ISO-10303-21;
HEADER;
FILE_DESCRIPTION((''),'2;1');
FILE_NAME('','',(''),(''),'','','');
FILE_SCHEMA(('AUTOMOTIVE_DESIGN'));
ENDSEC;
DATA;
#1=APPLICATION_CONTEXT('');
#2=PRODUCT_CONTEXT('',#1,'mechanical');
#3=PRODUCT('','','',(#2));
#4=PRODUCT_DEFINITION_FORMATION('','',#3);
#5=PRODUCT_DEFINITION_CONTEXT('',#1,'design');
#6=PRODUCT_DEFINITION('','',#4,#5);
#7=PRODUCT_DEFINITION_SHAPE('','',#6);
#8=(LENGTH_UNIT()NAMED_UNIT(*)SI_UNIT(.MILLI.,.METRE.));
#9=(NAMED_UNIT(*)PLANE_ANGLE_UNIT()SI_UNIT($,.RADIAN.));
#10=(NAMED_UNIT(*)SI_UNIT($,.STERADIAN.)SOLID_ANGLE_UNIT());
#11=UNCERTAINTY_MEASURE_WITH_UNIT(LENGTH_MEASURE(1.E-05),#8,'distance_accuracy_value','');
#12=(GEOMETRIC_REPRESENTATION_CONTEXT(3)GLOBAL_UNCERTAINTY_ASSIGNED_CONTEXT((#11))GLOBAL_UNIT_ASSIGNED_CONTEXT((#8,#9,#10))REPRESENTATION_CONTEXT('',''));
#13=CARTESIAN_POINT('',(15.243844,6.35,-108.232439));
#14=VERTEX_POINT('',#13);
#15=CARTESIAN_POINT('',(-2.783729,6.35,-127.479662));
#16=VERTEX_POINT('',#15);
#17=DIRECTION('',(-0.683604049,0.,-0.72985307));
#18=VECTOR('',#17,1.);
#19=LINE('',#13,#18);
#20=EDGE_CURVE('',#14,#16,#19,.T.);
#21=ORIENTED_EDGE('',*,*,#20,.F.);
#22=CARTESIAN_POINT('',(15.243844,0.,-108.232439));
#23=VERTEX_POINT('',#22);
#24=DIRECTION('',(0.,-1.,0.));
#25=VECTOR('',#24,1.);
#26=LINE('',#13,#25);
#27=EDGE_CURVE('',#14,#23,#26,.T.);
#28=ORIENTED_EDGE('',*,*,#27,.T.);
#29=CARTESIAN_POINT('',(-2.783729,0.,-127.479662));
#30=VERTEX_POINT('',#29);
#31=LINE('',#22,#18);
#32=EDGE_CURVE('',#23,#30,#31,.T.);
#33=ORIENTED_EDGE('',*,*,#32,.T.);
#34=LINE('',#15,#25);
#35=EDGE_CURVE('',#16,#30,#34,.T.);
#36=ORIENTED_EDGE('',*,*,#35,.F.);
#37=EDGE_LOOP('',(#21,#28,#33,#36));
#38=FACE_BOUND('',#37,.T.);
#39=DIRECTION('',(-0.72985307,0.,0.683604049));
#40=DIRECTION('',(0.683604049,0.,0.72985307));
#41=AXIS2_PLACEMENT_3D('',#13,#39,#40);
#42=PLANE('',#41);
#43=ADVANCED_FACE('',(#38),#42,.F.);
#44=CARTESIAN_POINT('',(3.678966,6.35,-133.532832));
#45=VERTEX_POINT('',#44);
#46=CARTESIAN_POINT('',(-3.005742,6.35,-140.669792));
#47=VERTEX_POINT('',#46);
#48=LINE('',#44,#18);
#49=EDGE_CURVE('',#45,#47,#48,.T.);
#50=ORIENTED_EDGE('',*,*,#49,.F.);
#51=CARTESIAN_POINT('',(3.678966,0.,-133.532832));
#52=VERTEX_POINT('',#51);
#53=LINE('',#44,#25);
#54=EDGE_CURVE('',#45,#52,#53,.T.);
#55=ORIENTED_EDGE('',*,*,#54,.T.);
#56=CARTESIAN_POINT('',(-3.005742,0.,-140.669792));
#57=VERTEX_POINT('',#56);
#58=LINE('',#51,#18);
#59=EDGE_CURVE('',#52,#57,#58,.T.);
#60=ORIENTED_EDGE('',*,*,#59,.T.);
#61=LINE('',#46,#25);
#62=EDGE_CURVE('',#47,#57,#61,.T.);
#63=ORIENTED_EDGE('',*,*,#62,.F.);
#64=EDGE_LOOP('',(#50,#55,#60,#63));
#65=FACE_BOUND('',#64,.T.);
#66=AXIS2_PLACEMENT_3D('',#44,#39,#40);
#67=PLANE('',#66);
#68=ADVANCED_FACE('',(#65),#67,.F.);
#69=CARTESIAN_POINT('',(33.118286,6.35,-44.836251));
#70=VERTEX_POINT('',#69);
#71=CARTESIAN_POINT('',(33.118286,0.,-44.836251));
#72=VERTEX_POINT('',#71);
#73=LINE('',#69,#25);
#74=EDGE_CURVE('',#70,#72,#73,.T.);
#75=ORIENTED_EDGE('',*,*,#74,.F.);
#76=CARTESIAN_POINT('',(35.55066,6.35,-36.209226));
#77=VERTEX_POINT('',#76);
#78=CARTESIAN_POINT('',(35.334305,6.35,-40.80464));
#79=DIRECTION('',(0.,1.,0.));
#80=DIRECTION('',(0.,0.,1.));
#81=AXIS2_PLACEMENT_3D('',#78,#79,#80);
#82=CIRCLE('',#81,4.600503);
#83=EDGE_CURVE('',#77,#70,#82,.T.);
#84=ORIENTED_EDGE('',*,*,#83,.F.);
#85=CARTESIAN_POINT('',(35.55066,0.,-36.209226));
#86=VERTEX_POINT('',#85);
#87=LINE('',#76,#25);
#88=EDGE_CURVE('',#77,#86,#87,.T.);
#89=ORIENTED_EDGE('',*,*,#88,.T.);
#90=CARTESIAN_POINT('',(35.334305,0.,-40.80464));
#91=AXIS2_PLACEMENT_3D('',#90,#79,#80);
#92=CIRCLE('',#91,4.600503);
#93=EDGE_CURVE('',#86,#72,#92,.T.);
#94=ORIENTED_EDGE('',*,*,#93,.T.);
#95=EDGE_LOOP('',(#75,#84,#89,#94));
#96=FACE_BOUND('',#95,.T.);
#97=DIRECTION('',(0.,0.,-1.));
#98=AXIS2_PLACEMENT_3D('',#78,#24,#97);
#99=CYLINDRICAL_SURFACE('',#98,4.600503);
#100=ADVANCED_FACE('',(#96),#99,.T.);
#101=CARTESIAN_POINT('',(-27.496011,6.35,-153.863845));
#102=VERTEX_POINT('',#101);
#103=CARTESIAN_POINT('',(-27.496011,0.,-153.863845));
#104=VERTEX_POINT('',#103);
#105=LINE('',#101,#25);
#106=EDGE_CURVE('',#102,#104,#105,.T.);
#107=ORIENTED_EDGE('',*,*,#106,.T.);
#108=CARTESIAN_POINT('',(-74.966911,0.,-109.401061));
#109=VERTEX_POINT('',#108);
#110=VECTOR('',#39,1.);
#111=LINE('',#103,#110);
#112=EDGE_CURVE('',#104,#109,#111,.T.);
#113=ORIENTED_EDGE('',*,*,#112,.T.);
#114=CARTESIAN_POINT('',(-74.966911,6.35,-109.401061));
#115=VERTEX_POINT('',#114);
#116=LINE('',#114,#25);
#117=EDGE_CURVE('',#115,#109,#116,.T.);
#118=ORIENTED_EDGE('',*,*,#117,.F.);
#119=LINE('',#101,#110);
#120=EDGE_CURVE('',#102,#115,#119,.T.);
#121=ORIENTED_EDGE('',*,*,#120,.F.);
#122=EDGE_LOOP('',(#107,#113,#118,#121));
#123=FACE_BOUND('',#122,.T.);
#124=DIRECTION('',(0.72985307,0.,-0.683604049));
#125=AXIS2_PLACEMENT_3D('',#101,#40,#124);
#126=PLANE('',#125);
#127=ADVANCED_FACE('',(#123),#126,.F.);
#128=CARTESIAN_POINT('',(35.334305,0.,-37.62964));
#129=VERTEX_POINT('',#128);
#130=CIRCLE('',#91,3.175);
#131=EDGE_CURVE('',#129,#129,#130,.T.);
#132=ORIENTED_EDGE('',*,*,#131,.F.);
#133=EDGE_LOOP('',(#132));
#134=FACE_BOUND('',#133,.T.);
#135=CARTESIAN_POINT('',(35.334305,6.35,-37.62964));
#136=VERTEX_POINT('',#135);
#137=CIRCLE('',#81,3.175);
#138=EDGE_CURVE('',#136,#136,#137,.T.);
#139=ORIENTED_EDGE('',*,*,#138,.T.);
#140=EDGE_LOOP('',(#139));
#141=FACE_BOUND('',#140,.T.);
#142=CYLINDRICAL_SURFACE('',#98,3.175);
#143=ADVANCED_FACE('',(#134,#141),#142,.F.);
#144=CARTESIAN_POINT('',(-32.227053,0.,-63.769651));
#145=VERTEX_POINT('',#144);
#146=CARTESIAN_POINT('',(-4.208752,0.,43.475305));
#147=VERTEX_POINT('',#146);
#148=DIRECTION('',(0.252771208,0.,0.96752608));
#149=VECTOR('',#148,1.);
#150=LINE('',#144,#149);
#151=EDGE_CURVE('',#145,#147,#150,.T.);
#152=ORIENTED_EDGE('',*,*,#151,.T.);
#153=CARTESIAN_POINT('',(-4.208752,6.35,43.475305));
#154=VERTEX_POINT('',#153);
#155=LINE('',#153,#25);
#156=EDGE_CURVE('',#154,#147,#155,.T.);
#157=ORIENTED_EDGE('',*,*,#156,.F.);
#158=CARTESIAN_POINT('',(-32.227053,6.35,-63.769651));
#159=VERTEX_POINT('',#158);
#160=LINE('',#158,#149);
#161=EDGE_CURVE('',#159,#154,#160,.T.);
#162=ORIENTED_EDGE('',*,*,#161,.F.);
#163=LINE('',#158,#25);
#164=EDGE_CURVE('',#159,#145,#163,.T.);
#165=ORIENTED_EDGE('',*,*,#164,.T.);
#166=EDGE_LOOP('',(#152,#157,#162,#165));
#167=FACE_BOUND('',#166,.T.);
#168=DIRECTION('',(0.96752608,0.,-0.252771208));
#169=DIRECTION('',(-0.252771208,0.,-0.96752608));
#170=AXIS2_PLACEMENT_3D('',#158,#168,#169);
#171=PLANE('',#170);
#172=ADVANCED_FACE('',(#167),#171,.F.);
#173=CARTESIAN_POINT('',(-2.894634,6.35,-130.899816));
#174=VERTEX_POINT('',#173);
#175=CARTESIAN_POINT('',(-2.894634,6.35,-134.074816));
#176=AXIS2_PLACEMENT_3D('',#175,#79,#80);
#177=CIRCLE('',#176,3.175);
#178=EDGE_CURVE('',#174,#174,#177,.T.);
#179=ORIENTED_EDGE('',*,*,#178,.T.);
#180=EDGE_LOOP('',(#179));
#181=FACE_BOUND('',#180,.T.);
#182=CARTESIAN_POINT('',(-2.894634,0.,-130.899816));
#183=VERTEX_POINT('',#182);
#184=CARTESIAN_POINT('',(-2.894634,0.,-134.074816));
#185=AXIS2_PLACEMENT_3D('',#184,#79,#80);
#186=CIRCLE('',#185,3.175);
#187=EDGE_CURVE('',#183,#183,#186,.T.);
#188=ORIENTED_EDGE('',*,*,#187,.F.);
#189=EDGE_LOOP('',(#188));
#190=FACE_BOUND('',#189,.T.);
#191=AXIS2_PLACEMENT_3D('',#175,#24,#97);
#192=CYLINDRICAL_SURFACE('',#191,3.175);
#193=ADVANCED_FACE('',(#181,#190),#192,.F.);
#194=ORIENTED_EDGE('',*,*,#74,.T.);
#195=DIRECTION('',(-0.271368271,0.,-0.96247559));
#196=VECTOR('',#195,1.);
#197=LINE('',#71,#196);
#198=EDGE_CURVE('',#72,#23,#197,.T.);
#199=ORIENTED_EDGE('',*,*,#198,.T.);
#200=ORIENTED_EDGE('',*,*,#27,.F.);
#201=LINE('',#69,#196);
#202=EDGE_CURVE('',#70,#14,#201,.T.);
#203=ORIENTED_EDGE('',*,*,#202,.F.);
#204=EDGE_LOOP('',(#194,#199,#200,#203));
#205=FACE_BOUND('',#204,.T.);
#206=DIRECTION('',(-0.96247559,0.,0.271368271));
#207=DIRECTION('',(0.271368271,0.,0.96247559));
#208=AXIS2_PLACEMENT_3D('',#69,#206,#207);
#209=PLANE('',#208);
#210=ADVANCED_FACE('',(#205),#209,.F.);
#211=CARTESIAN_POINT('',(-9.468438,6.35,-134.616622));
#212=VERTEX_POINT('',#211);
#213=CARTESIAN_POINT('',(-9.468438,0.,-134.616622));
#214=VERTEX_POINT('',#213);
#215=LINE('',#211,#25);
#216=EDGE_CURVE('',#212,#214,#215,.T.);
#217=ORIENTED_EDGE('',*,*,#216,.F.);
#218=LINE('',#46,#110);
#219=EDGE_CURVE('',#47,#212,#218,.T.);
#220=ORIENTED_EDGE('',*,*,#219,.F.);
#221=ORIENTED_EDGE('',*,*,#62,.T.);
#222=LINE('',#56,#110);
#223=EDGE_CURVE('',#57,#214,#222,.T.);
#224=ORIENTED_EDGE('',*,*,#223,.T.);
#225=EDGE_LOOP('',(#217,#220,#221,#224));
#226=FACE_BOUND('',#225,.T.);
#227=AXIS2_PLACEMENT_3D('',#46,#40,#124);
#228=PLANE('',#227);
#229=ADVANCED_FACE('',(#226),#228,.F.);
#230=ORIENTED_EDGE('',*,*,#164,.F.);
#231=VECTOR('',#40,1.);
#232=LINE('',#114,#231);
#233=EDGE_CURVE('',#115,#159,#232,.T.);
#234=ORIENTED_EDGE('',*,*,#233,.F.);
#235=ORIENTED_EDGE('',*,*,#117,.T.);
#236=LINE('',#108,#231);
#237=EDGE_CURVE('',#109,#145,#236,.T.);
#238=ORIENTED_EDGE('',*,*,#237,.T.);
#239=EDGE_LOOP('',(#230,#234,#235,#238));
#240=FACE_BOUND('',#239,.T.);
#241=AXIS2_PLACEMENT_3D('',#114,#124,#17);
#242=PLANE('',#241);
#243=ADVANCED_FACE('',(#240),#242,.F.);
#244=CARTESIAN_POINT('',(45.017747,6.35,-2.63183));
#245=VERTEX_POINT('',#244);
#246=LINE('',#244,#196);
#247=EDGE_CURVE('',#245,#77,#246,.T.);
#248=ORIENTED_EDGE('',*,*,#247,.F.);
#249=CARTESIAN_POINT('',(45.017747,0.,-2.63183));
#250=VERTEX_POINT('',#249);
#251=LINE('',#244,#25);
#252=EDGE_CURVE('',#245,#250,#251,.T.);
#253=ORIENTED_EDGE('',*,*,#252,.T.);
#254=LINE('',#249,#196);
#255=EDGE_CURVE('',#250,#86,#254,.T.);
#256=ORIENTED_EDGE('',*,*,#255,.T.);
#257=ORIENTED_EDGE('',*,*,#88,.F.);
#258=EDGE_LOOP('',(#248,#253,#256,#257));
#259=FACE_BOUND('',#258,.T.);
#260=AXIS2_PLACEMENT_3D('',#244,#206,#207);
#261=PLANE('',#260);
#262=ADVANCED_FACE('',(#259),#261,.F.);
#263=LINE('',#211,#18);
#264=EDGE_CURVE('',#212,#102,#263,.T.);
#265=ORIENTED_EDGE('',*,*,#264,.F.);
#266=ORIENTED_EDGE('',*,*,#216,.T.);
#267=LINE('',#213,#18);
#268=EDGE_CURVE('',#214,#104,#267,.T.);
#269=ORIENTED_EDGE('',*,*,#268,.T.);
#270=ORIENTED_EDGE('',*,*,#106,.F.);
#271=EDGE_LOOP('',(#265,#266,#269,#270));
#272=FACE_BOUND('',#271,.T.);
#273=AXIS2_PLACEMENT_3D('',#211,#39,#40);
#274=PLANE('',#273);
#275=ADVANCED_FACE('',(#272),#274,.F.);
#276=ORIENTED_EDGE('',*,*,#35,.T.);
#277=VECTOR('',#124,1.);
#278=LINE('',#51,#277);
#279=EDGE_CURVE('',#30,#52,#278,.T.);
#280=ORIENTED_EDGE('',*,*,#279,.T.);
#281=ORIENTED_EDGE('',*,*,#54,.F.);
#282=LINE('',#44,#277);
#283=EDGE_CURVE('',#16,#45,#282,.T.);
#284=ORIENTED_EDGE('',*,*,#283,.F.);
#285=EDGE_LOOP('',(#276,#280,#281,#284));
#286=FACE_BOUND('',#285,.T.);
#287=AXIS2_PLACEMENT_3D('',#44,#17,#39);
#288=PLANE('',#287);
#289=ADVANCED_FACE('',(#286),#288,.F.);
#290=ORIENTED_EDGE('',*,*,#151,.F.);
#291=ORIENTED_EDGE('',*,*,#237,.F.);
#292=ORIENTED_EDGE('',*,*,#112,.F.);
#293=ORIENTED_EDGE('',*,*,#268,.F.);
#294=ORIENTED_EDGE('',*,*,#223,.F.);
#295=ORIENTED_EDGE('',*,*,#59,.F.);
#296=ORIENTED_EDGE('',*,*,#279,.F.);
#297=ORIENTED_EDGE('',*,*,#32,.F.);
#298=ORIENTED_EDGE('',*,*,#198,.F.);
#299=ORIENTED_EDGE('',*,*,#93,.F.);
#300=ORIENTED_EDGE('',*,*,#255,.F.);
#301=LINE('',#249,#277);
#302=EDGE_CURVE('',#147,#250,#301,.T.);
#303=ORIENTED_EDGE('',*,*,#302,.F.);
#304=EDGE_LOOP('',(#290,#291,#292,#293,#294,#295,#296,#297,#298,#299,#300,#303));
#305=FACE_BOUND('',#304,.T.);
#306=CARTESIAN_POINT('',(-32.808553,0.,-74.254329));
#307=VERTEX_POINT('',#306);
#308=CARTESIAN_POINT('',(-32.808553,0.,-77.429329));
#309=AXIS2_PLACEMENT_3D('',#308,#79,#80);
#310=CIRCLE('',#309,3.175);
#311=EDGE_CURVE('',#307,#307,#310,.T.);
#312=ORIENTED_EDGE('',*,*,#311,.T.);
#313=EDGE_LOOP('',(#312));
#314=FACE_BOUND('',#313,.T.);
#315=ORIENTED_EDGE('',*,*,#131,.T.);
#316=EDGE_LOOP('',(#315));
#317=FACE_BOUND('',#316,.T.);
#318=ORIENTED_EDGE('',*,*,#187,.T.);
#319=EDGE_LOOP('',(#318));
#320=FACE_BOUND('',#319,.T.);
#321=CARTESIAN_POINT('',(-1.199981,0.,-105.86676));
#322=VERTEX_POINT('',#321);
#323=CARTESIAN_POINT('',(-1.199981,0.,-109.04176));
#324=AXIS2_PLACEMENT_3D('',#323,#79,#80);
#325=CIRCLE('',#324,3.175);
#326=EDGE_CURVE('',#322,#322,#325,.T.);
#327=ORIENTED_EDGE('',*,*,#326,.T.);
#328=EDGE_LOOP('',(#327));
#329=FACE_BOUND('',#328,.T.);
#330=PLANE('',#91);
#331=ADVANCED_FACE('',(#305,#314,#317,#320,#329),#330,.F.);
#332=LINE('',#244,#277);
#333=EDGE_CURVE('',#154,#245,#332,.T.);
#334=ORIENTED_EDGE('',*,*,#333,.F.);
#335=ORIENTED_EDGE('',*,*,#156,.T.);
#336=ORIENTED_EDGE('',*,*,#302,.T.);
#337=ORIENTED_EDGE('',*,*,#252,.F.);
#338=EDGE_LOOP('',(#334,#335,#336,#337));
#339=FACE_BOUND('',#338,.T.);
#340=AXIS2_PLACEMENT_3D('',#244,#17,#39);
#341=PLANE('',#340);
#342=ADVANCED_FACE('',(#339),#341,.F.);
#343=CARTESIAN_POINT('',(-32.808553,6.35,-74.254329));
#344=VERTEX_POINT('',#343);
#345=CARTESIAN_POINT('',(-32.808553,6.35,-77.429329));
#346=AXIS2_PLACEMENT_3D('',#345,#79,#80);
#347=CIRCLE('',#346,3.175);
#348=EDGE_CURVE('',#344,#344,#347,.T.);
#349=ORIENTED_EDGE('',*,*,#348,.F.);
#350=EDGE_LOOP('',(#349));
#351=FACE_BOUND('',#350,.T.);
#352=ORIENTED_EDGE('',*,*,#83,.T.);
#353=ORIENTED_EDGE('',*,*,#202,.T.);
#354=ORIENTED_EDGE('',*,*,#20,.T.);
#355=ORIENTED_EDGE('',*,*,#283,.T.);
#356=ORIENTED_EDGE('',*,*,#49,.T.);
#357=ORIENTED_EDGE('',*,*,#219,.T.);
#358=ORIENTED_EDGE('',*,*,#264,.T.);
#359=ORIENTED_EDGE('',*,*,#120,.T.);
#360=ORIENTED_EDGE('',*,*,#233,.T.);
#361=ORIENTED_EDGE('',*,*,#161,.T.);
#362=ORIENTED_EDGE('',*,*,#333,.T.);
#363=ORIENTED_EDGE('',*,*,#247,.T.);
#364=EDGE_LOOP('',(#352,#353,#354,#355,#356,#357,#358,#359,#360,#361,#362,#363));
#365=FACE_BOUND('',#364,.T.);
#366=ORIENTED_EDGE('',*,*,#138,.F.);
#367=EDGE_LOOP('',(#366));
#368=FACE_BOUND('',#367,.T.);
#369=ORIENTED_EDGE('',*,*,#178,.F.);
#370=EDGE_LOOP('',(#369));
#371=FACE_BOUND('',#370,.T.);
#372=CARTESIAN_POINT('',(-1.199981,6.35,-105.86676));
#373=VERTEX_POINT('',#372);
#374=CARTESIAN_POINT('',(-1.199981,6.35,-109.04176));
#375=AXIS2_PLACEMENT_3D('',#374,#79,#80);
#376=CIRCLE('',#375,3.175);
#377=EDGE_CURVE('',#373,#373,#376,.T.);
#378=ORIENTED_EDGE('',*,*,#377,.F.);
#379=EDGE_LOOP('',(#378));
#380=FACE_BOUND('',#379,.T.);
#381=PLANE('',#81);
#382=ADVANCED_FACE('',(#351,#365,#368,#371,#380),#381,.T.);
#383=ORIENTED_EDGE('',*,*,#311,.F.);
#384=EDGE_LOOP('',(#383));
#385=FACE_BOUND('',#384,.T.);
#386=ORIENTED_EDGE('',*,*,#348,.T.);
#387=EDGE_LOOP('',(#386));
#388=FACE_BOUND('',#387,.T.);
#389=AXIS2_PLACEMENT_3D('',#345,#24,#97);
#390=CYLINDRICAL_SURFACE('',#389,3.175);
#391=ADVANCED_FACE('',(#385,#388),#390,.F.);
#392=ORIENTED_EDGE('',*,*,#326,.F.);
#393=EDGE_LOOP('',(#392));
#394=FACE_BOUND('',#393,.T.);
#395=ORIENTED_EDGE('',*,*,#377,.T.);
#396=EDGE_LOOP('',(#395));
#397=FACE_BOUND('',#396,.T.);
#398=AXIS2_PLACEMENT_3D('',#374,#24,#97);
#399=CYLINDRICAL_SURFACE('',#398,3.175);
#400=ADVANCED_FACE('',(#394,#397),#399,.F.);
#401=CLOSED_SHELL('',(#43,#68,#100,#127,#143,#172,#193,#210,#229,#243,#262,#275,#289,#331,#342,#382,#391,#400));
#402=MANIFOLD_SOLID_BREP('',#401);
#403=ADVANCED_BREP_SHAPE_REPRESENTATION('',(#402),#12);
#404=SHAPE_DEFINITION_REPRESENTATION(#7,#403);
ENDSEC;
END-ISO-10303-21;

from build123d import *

# Parameters (mm, degrees)
SKETCH1_R           = 3.175
BOSS_EXTRUDE1_DEPTH = 6.35


with BuildPart() as part:
    # Sketch1 → Boss-Extrude1 (new body)
    with BuildSketch(Plane(origin=(0, 0, 0), x_dir=(1, 0, 0), z_dir=(0, 1, 0))):
        with BuildLine():
            Line((45.017746951, 2.631829887), (35.550660053, 36.209226482))
            ThreePointArc((35.550660053, 36.209226482), (39.762177432, 42.05307025), (33.11828595, 44.83625091))
            Line((33.11828595, 44.83625091), (15.243844224, 108.232438689))
            Line((15.243844224, 108.232438689), (-2.783728935, 127.479661752))
            Line((-2.783728935, 127.479661752), (3.678966496, 133.532831827))
            Line((3.678966496, 133.532831827), (-3.005742225, 140.669792455))
            Line((-3.005742225, 140.669792455), (-9.468437655, 134.61662238))
            Line((-9.468437655, 134.61662238), (-27.496010814, 153.863845442))
            Line((-27.496010814, 153.863845442), (-74.966911398, 109.401060841))
            Line((-74.966911398, 109.401060841), (-32.227053049, 63.769650553))
            Line((-32.227053049, 63.769650553), (-4.208751998, -43.475305064))
            Line((-4.208751998, -43.475305064), (45.017746951, 2.631829887))
        make_face()
        with Locations(Location((-2.894634056, 134.074815557, 0), (0, 0, 270))):
            Circle(SKETCH1_R, mode=Mode.SUBTRACT)
        with Locations(Location((35.334305242, 40.804639607, 0), (0, 0, 270))):
            Circle(SKETCH1_R, mode=Mode.SUBTRACT)
        with Locations(Location((-32.808552916, 77.429328599, 0), (0, 0, 270))):
            Circle(SKETCH1_R, mode=Mode.SUBTRACT)
        with Locations(Location((-1.199981142, 109.041759799, 0), (0, 0, 270))):
            Circle(SKETCH1_R, mode=Mode.SUBTRACT)
    extrude(amount=BOSS_EXTRUDE1_DEPTH)


solid = part.part
